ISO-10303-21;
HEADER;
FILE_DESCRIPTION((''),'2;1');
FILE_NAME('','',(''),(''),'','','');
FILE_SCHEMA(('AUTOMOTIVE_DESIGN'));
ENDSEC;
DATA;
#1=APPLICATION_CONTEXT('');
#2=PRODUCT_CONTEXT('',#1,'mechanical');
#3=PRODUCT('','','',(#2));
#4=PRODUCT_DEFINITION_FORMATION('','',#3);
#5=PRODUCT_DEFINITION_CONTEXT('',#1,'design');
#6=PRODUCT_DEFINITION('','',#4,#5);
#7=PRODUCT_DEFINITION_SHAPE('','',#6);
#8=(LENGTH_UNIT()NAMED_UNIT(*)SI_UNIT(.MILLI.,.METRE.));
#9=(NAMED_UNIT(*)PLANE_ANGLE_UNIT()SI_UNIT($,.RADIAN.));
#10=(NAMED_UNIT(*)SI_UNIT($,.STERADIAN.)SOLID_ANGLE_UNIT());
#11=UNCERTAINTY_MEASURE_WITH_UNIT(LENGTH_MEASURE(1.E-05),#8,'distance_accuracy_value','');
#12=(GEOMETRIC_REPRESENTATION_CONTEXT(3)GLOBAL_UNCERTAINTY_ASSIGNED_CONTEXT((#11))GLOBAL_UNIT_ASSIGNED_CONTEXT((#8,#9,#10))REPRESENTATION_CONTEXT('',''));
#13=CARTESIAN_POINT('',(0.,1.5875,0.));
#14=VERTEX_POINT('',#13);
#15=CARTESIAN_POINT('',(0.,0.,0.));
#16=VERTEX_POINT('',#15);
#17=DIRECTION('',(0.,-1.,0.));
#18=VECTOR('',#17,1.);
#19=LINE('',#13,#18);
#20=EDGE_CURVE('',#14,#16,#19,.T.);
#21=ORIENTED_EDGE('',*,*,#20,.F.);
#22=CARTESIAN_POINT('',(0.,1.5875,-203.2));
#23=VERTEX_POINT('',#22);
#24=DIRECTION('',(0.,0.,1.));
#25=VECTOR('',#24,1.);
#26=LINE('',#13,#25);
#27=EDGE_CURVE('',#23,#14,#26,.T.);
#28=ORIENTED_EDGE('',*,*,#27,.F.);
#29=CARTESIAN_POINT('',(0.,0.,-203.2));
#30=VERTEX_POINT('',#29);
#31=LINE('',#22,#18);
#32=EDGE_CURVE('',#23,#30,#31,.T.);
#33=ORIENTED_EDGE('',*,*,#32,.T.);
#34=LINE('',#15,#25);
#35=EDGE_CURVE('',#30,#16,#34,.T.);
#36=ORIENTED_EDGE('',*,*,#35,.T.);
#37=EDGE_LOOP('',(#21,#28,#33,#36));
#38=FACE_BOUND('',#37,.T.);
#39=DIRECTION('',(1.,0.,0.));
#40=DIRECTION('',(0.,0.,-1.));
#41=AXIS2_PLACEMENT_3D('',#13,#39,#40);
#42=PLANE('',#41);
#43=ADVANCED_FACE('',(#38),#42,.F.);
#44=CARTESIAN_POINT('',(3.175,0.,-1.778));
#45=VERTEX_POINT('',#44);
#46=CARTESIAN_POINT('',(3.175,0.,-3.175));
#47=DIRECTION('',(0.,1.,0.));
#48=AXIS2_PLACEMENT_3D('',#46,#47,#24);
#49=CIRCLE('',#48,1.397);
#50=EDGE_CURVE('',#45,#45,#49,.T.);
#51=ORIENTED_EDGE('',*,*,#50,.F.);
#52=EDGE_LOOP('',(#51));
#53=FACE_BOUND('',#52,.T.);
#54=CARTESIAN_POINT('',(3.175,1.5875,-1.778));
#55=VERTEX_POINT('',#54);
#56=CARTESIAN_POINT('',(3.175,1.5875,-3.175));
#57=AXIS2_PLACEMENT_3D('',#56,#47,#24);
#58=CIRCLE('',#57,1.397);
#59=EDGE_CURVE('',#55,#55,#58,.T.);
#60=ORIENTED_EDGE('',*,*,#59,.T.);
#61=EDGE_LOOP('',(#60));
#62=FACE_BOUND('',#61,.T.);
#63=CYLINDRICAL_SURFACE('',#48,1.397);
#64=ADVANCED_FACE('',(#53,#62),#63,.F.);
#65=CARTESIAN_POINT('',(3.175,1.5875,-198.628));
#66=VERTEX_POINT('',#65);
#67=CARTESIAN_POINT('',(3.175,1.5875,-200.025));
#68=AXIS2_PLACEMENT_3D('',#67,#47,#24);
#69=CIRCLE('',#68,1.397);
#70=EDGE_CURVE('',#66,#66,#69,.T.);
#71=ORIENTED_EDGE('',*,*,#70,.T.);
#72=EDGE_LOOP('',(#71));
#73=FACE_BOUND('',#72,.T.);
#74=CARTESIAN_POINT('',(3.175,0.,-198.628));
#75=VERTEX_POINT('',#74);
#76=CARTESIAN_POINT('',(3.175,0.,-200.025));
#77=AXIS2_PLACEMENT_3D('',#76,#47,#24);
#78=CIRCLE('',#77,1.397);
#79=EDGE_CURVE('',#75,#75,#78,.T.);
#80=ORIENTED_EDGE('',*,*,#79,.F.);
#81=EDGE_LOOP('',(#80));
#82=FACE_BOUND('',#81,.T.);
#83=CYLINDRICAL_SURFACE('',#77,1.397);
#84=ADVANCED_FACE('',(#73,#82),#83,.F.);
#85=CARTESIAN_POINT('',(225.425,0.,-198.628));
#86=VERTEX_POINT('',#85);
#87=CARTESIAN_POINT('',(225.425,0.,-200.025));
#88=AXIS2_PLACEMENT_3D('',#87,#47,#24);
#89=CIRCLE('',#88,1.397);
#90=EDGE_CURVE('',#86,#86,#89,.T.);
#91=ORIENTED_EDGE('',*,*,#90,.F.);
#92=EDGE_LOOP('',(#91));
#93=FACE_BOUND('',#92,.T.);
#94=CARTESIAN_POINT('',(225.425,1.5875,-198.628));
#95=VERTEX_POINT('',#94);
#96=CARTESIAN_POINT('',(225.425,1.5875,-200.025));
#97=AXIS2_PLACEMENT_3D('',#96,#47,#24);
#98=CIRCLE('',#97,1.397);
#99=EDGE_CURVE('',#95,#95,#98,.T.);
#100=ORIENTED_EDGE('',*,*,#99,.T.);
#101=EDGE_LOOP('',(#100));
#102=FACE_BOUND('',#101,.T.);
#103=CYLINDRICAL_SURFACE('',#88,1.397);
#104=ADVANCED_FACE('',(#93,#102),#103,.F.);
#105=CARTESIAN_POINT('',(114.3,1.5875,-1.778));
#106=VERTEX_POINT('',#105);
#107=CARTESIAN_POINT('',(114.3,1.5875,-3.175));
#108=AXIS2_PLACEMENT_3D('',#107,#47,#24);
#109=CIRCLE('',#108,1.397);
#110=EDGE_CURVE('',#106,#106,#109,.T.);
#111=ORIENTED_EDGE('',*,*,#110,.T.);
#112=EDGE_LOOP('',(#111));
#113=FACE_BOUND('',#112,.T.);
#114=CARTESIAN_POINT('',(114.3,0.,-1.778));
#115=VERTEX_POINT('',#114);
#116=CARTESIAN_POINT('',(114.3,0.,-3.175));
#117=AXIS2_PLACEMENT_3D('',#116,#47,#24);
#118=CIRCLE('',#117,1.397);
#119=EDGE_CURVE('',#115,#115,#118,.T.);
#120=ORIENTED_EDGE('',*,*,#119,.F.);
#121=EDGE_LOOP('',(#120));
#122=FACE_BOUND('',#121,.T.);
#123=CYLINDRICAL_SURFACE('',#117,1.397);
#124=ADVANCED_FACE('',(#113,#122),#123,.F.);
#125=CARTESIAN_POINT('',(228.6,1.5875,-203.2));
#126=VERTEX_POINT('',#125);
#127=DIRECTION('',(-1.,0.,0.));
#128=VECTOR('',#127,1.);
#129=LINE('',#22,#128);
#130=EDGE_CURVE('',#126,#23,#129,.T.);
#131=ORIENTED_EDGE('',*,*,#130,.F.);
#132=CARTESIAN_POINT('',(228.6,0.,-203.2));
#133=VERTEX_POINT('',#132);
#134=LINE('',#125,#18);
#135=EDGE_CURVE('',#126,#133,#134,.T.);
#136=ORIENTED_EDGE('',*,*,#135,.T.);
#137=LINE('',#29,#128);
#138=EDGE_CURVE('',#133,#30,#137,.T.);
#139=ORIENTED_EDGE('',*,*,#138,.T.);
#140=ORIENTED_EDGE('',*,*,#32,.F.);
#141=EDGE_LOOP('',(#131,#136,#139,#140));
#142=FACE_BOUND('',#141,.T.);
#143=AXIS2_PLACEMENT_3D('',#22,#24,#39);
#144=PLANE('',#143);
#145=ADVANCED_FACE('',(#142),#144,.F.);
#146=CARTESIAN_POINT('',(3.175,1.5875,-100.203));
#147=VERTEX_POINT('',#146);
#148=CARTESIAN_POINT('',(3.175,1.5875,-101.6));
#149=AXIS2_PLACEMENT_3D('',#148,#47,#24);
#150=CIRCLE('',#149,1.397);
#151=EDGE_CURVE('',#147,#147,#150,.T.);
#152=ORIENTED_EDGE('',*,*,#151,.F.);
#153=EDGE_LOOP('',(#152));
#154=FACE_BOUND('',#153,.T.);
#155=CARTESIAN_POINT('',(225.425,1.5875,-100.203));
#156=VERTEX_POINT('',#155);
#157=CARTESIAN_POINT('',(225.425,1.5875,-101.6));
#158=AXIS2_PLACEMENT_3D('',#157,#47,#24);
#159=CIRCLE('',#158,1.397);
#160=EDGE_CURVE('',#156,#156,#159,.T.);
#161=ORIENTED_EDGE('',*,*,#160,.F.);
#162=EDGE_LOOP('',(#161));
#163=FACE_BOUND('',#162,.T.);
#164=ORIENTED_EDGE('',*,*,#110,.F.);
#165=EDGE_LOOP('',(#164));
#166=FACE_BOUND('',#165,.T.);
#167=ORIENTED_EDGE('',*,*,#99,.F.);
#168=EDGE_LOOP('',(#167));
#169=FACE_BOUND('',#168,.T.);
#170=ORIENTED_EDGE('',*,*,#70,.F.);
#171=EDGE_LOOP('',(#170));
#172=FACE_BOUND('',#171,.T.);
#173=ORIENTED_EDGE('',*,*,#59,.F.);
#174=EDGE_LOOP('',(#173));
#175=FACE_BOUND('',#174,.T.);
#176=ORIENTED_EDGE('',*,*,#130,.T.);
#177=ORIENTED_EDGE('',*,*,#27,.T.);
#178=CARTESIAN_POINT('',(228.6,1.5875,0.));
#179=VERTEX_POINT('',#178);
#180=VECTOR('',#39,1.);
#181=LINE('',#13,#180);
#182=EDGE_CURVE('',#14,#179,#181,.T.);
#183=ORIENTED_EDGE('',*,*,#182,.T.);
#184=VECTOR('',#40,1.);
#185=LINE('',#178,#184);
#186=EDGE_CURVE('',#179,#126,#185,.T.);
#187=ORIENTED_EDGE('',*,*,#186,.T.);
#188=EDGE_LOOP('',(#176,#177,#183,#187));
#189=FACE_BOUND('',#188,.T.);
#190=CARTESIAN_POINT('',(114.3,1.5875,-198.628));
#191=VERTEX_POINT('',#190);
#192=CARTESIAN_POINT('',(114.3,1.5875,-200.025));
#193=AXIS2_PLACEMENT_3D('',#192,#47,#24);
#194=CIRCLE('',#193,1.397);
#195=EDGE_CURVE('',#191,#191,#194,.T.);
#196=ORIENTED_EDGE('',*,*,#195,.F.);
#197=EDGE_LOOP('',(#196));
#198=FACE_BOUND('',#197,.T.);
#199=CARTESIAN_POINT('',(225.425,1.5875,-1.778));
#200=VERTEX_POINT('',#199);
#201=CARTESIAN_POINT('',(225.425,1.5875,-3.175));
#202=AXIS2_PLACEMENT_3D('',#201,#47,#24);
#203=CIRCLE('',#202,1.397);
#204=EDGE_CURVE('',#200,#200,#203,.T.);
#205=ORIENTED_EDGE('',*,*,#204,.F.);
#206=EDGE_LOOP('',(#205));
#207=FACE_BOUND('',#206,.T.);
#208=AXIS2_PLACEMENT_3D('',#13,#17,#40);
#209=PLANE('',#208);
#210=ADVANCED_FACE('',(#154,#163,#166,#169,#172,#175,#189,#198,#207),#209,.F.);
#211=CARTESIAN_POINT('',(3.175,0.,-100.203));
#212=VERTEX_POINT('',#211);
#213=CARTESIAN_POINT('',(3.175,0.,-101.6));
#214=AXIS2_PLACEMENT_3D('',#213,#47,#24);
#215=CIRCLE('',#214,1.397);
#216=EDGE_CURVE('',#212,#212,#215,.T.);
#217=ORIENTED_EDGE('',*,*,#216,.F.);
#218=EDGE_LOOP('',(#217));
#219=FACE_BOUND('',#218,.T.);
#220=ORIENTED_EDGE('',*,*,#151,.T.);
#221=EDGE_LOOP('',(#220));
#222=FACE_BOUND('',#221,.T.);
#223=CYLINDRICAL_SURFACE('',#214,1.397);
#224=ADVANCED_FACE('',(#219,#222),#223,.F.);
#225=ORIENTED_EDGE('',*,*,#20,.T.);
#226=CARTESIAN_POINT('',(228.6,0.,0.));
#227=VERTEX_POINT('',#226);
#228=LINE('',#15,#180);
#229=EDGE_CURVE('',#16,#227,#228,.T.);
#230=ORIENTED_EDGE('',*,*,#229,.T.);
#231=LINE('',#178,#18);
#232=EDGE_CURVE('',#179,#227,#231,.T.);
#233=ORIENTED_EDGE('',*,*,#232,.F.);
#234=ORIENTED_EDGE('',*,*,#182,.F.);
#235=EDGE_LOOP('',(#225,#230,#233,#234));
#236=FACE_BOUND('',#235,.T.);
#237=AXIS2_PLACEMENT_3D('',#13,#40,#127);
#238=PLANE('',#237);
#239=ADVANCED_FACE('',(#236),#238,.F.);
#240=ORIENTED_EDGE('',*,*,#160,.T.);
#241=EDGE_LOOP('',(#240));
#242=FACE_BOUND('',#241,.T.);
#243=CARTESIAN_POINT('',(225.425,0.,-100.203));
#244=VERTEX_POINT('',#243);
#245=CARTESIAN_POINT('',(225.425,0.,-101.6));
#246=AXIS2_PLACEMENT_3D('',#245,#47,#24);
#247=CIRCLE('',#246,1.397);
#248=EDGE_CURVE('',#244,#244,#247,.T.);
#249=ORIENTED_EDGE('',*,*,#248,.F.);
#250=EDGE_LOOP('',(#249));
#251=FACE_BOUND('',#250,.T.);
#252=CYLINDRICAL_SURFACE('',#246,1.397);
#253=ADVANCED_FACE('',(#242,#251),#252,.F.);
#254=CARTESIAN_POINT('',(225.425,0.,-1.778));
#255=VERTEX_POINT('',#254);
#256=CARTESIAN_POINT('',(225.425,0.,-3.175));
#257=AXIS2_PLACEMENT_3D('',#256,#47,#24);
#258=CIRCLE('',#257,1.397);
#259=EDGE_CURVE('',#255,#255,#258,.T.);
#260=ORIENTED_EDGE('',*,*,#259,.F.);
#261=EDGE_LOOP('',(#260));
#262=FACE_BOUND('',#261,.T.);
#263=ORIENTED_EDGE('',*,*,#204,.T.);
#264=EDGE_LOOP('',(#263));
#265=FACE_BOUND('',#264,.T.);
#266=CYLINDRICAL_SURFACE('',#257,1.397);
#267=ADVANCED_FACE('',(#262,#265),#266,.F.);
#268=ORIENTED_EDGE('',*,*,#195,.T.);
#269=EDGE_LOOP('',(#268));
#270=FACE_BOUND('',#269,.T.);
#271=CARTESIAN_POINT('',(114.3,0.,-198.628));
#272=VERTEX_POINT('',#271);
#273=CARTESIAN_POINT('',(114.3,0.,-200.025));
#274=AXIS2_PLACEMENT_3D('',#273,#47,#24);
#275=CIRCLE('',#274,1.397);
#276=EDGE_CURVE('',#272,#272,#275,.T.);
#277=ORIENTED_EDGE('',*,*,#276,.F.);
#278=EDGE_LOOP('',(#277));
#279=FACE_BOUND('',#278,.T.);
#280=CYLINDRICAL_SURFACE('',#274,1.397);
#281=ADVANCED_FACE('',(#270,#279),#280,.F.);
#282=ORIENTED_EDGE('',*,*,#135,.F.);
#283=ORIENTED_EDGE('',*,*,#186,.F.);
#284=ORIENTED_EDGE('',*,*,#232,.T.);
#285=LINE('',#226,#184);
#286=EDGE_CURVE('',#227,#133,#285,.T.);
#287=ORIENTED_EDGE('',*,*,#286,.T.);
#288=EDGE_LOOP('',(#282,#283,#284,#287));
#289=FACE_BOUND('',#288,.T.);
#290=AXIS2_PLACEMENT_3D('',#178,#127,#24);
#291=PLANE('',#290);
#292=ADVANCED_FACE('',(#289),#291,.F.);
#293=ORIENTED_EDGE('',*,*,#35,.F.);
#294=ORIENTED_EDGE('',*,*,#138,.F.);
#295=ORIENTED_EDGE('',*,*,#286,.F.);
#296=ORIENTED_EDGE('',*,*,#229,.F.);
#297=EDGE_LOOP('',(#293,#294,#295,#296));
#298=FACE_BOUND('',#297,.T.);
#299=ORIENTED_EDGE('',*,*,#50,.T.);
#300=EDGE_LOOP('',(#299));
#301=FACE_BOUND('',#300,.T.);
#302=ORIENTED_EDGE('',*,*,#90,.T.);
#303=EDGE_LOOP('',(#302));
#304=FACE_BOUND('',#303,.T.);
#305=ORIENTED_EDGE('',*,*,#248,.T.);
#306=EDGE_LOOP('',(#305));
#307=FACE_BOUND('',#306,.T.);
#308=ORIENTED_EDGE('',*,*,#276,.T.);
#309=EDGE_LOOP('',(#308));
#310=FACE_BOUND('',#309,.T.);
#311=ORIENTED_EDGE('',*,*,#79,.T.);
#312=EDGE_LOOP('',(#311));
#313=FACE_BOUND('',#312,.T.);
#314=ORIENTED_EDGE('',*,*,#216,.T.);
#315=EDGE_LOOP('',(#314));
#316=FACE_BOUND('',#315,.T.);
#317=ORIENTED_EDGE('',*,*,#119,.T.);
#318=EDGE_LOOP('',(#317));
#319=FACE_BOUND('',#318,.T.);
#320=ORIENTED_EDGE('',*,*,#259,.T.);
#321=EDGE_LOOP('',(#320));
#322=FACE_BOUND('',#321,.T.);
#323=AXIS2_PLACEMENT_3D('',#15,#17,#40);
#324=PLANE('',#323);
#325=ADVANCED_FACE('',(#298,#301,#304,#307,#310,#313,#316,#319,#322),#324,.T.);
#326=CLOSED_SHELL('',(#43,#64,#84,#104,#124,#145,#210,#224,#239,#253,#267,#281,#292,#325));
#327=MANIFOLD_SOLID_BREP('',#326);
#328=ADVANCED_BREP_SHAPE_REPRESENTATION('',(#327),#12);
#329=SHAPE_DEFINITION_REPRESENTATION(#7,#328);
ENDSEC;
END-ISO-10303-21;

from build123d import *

# Parameters (mm, degrees)
SKETCH1_W           = 228.6
SKETCH1_H           = 203.2
BOSS_EXTRUDE1_DEPTH = 1.5875
SKETCH2_R           = 1.397
CUT_EXTRUDE1_DEPTH  = 306.860622108


with BuildPart() as part:
    # Sketch1 → Boss-Extrude1 (new body)
    with BuildSketch(Plane(origin=(0, 0, 0), x_dir=(1, 0, 0), z_dir=(0, 1, 0))):
        with Locations((114.3, 101.6)):
            Rectangle(SKETCH1_W, SKETCH1_H)
    extrude(amount=BOSS_EXTRUDE1_DEPTH)

    # Sketch2 → Cut-Extrude1 (cut, through all)
    with BuildSketch(Plane(origin=(0, 1.5875, 0), x_dir=(1, 0, 0), z_dir=(0, 1, 0))):
        with Locations(Location((3.175, 200.025, 0), (0, 0, 270))):
            Circle(SKETCH2_R)
        with Locations(Location((114.3, 200.025, 0), (0, 0, 270))):
            Circle(SKETCH2_R)
        with Locations(Location((225.425, 200.025, 0), (0, 0, 270))):
            Circle(SKETCH2_R)
        with Locations(Location((3.175, 3.175, 0), (0, 0, 270))):
            Circle(SKETCH2_R)
        with Locations(Location((114.3, 3.175, 0), (0, 0, 270))):
            Circle(SKETCH2_R)
        with Locations(Location((225.425, 3.175, 0), (0, 0, 270))):
            Circle(SKETCH2_R)
        with Locations(Location((3.175, 101.6, 0), (0, 0, 270))):
            Circle(SKETCH2_R)
        with Locations(Location((225.425, 101.6, 0), (0, 0, 270))):
            Circle(SKETCH2_R)
    extrude(amount=-CUT_EXTRUDE1_DEPTH, mode=Mode.SUBTRACT)


solid = part.part
